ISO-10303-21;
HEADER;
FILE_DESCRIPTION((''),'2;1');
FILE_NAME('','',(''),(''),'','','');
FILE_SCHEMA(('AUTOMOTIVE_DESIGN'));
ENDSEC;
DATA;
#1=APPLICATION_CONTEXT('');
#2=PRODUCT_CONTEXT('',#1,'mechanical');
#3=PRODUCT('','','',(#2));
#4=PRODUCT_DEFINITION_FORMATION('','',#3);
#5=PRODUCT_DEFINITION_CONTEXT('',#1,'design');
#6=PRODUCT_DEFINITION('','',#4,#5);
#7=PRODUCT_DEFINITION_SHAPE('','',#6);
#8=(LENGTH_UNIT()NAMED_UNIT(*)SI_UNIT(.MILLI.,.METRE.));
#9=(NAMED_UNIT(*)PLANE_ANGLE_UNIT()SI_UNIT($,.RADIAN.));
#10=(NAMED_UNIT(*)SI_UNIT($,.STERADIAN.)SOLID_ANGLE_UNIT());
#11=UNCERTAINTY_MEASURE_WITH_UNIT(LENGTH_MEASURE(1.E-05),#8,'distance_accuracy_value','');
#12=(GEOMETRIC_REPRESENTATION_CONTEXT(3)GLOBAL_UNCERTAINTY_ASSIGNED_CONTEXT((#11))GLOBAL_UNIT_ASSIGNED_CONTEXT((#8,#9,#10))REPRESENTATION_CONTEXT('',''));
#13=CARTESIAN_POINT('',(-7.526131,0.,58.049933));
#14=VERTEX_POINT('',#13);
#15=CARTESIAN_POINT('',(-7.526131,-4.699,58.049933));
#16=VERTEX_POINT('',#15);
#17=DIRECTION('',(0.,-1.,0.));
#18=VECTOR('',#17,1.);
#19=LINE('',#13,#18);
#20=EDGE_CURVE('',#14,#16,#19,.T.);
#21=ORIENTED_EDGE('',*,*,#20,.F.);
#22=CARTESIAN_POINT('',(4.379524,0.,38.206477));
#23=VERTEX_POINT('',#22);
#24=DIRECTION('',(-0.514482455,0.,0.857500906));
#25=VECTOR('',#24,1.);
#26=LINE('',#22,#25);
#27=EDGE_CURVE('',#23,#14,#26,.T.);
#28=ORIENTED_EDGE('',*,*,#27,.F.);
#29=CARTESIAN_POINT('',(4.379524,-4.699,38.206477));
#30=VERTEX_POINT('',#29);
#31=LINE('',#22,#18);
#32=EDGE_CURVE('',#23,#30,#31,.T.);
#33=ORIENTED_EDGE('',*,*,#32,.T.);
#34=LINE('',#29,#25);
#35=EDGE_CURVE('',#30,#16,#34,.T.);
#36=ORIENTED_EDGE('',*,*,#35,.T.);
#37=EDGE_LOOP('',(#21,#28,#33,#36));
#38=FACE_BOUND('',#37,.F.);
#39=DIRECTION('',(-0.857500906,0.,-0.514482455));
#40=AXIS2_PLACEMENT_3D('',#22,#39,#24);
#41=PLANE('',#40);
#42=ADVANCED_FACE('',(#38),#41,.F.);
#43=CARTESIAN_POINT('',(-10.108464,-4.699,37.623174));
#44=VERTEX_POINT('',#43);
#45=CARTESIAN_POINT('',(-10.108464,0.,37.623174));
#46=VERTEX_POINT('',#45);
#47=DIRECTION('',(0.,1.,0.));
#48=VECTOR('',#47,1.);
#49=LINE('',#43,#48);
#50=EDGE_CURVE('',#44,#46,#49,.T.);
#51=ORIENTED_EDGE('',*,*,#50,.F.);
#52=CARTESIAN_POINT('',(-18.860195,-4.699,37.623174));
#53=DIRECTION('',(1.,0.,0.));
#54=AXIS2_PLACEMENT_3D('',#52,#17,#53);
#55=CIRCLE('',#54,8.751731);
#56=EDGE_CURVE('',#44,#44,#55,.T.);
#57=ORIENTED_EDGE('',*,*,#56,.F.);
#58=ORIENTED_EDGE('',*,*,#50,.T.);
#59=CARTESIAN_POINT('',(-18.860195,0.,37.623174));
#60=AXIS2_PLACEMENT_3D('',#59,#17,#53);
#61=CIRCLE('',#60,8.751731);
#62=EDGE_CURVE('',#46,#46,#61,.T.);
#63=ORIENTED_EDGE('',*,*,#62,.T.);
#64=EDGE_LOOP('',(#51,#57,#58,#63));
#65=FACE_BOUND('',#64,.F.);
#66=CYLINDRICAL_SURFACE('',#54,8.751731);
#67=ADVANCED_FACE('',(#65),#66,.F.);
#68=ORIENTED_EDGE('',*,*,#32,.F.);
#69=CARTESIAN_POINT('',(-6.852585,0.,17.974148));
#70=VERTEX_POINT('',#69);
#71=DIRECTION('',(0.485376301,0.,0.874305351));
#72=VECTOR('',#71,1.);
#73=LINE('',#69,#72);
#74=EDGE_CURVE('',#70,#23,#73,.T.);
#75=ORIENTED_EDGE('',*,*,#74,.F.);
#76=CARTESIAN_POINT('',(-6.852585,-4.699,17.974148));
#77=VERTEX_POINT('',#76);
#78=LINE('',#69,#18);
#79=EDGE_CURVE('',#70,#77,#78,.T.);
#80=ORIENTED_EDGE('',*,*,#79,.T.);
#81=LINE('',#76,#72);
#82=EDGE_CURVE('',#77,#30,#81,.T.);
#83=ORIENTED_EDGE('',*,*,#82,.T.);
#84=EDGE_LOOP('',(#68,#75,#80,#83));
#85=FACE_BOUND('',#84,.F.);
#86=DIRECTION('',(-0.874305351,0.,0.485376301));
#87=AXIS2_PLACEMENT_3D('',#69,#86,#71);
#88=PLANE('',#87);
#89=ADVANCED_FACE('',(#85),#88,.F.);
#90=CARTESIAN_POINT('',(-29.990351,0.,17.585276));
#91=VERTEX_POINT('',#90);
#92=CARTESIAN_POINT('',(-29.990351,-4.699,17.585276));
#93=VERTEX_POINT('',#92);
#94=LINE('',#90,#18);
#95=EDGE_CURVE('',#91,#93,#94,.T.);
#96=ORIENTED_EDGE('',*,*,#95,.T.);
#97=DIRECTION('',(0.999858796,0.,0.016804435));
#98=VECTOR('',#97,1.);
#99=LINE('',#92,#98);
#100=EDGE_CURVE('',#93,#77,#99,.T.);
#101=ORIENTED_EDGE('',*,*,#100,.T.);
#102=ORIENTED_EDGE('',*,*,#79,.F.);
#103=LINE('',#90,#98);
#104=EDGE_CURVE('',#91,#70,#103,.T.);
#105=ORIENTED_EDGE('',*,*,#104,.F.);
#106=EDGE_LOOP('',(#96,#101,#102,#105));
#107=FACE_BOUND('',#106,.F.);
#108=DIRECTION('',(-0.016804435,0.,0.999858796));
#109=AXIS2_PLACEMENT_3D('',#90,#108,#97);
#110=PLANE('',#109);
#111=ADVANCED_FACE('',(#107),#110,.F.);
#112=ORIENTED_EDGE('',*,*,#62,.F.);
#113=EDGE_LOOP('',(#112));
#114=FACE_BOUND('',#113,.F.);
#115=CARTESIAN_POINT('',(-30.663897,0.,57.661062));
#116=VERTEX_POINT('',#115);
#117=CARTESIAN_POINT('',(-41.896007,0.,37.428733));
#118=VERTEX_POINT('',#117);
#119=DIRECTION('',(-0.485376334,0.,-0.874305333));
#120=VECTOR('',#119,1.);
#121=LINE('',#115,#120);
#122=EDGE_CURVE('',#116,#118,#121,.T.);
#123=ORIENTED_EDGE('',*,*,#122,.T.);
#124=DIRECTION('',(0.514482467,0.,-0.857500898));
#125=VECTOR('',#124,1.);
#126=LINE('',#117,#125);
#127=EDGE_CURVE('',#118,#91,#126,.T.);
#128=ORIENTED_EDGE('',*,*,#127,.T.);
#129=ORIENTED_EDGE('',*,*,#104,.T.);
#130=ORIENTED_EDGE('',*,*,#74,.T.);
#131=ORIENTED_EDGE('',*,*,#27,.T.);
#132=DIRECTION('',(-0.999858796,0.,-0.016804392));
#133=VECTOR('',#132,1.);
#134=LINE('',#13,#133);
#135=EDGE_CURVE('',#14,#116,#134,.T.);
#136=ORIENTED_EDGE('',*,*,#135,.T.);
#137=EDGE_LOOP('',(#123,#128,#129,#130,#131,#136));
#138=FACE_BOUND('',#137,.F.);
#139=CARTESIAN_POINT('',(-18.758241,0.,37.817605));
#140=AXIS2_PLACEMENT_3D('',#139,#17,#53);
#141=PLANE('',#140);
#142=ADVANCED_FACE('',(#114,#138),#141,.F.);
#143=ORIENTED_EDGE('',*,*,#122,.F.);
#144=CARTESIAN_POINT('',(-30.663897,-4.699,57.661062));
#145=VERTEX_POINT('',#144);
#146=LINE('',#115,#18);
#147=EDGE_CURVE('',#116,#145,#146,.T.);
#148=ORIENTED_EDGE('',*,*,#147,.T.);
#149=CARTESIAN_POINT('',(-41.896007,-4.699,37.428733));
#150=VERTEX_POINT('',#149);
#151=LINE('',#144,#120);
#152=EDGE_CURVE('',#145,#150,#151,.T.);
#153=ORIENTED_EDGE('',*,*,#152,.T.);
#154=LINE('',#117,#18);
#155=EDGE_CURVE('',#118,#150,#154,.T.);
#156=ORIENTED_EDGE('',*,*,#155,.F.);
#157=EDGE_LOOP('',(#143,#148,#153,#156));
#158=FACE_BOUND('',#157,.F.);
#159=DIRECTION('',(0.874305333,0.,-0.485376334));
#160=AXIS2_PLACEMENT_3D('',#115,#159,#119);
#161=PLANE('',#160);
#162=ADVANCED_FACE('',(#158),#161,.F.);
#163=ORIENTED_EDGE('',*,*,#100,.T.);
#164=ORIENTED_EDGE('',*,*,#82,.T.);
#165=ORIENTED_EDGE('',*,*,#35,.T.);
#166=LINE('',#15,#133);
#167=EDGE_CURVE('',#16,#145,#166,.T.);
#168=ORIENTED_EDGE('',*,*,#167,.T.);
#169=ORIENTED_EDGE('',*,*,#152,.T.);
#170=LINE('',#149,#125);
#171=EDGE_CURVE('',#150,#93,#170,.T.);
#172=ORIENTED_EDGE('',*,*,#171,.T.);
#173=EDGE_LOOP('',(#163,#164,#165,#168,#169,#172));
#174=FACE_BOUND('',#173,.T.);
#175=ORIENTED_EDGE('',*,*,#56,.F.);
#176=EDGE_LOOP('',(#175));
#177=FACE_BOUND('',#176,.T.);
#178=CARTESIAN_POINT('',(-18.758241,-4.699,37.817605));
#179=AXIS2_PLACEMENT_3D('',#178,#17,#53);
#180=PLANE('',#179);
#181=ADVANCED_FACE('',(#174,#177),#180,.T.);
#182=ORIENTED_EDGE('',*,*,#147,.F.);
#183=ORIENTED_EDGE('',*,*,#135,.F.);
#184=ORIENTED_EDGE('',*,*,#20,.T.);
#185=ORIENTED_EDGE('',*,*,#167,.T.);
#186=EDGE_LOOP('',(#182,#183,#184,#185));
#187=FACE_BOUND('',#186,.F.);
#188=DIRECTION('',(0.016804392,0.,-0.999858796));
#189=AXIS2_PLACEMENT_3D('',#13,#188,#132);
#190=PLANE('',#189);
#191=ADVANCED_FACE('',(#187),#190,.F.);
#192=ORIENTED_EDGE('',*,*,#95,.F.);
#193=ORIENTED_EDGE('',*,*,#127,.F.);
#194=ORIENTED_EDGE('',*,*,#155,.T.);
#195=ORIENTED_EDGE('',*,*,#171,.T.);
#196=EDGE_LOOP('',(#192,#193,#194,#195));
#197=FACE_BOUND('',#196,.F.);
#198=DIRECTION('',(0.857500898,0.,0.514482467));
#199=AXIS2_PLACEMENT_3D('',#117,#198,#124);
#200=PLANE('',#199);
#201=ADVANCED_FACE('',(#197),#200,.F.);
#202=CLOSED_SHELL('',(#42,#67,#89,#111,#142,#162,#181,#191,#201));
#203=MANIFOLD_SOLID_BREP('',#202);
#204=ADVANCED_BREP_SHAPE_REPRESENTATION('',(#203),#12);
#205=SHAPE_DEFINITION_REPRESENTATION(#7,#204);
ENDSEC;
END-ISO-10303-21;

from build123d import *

# Parameters (mm, degrees)
F1_DEPTH = 4.699
F2_R     = 8.751731
F3_DEPTH = 50.8


with BuildPart() as f1:
    # F0 (on Front) → F1 (new body)
    with BuildSketch(Plane.XZ):
        Polygon((-6.852585, 17.974148), (4.379524, 38.206477), (-7.526131, 58.049933), (-30.663897, 57.661062), (-41.896007, 37.428733), (-29.990351, 17.585276), align=None)
    extrude(amount=F1_DEPTH)

    # F2 (on face) → F3 (cut)
    with BuildSketch(Plane.XZ.offset(4.699)):
        with Locations((-18.860195, 37.623174)):
            Circle(F2_R)
    extrude(amount=-F3_DEPTH, mode=Mode.SUBTRACT)


solid = f1.part
